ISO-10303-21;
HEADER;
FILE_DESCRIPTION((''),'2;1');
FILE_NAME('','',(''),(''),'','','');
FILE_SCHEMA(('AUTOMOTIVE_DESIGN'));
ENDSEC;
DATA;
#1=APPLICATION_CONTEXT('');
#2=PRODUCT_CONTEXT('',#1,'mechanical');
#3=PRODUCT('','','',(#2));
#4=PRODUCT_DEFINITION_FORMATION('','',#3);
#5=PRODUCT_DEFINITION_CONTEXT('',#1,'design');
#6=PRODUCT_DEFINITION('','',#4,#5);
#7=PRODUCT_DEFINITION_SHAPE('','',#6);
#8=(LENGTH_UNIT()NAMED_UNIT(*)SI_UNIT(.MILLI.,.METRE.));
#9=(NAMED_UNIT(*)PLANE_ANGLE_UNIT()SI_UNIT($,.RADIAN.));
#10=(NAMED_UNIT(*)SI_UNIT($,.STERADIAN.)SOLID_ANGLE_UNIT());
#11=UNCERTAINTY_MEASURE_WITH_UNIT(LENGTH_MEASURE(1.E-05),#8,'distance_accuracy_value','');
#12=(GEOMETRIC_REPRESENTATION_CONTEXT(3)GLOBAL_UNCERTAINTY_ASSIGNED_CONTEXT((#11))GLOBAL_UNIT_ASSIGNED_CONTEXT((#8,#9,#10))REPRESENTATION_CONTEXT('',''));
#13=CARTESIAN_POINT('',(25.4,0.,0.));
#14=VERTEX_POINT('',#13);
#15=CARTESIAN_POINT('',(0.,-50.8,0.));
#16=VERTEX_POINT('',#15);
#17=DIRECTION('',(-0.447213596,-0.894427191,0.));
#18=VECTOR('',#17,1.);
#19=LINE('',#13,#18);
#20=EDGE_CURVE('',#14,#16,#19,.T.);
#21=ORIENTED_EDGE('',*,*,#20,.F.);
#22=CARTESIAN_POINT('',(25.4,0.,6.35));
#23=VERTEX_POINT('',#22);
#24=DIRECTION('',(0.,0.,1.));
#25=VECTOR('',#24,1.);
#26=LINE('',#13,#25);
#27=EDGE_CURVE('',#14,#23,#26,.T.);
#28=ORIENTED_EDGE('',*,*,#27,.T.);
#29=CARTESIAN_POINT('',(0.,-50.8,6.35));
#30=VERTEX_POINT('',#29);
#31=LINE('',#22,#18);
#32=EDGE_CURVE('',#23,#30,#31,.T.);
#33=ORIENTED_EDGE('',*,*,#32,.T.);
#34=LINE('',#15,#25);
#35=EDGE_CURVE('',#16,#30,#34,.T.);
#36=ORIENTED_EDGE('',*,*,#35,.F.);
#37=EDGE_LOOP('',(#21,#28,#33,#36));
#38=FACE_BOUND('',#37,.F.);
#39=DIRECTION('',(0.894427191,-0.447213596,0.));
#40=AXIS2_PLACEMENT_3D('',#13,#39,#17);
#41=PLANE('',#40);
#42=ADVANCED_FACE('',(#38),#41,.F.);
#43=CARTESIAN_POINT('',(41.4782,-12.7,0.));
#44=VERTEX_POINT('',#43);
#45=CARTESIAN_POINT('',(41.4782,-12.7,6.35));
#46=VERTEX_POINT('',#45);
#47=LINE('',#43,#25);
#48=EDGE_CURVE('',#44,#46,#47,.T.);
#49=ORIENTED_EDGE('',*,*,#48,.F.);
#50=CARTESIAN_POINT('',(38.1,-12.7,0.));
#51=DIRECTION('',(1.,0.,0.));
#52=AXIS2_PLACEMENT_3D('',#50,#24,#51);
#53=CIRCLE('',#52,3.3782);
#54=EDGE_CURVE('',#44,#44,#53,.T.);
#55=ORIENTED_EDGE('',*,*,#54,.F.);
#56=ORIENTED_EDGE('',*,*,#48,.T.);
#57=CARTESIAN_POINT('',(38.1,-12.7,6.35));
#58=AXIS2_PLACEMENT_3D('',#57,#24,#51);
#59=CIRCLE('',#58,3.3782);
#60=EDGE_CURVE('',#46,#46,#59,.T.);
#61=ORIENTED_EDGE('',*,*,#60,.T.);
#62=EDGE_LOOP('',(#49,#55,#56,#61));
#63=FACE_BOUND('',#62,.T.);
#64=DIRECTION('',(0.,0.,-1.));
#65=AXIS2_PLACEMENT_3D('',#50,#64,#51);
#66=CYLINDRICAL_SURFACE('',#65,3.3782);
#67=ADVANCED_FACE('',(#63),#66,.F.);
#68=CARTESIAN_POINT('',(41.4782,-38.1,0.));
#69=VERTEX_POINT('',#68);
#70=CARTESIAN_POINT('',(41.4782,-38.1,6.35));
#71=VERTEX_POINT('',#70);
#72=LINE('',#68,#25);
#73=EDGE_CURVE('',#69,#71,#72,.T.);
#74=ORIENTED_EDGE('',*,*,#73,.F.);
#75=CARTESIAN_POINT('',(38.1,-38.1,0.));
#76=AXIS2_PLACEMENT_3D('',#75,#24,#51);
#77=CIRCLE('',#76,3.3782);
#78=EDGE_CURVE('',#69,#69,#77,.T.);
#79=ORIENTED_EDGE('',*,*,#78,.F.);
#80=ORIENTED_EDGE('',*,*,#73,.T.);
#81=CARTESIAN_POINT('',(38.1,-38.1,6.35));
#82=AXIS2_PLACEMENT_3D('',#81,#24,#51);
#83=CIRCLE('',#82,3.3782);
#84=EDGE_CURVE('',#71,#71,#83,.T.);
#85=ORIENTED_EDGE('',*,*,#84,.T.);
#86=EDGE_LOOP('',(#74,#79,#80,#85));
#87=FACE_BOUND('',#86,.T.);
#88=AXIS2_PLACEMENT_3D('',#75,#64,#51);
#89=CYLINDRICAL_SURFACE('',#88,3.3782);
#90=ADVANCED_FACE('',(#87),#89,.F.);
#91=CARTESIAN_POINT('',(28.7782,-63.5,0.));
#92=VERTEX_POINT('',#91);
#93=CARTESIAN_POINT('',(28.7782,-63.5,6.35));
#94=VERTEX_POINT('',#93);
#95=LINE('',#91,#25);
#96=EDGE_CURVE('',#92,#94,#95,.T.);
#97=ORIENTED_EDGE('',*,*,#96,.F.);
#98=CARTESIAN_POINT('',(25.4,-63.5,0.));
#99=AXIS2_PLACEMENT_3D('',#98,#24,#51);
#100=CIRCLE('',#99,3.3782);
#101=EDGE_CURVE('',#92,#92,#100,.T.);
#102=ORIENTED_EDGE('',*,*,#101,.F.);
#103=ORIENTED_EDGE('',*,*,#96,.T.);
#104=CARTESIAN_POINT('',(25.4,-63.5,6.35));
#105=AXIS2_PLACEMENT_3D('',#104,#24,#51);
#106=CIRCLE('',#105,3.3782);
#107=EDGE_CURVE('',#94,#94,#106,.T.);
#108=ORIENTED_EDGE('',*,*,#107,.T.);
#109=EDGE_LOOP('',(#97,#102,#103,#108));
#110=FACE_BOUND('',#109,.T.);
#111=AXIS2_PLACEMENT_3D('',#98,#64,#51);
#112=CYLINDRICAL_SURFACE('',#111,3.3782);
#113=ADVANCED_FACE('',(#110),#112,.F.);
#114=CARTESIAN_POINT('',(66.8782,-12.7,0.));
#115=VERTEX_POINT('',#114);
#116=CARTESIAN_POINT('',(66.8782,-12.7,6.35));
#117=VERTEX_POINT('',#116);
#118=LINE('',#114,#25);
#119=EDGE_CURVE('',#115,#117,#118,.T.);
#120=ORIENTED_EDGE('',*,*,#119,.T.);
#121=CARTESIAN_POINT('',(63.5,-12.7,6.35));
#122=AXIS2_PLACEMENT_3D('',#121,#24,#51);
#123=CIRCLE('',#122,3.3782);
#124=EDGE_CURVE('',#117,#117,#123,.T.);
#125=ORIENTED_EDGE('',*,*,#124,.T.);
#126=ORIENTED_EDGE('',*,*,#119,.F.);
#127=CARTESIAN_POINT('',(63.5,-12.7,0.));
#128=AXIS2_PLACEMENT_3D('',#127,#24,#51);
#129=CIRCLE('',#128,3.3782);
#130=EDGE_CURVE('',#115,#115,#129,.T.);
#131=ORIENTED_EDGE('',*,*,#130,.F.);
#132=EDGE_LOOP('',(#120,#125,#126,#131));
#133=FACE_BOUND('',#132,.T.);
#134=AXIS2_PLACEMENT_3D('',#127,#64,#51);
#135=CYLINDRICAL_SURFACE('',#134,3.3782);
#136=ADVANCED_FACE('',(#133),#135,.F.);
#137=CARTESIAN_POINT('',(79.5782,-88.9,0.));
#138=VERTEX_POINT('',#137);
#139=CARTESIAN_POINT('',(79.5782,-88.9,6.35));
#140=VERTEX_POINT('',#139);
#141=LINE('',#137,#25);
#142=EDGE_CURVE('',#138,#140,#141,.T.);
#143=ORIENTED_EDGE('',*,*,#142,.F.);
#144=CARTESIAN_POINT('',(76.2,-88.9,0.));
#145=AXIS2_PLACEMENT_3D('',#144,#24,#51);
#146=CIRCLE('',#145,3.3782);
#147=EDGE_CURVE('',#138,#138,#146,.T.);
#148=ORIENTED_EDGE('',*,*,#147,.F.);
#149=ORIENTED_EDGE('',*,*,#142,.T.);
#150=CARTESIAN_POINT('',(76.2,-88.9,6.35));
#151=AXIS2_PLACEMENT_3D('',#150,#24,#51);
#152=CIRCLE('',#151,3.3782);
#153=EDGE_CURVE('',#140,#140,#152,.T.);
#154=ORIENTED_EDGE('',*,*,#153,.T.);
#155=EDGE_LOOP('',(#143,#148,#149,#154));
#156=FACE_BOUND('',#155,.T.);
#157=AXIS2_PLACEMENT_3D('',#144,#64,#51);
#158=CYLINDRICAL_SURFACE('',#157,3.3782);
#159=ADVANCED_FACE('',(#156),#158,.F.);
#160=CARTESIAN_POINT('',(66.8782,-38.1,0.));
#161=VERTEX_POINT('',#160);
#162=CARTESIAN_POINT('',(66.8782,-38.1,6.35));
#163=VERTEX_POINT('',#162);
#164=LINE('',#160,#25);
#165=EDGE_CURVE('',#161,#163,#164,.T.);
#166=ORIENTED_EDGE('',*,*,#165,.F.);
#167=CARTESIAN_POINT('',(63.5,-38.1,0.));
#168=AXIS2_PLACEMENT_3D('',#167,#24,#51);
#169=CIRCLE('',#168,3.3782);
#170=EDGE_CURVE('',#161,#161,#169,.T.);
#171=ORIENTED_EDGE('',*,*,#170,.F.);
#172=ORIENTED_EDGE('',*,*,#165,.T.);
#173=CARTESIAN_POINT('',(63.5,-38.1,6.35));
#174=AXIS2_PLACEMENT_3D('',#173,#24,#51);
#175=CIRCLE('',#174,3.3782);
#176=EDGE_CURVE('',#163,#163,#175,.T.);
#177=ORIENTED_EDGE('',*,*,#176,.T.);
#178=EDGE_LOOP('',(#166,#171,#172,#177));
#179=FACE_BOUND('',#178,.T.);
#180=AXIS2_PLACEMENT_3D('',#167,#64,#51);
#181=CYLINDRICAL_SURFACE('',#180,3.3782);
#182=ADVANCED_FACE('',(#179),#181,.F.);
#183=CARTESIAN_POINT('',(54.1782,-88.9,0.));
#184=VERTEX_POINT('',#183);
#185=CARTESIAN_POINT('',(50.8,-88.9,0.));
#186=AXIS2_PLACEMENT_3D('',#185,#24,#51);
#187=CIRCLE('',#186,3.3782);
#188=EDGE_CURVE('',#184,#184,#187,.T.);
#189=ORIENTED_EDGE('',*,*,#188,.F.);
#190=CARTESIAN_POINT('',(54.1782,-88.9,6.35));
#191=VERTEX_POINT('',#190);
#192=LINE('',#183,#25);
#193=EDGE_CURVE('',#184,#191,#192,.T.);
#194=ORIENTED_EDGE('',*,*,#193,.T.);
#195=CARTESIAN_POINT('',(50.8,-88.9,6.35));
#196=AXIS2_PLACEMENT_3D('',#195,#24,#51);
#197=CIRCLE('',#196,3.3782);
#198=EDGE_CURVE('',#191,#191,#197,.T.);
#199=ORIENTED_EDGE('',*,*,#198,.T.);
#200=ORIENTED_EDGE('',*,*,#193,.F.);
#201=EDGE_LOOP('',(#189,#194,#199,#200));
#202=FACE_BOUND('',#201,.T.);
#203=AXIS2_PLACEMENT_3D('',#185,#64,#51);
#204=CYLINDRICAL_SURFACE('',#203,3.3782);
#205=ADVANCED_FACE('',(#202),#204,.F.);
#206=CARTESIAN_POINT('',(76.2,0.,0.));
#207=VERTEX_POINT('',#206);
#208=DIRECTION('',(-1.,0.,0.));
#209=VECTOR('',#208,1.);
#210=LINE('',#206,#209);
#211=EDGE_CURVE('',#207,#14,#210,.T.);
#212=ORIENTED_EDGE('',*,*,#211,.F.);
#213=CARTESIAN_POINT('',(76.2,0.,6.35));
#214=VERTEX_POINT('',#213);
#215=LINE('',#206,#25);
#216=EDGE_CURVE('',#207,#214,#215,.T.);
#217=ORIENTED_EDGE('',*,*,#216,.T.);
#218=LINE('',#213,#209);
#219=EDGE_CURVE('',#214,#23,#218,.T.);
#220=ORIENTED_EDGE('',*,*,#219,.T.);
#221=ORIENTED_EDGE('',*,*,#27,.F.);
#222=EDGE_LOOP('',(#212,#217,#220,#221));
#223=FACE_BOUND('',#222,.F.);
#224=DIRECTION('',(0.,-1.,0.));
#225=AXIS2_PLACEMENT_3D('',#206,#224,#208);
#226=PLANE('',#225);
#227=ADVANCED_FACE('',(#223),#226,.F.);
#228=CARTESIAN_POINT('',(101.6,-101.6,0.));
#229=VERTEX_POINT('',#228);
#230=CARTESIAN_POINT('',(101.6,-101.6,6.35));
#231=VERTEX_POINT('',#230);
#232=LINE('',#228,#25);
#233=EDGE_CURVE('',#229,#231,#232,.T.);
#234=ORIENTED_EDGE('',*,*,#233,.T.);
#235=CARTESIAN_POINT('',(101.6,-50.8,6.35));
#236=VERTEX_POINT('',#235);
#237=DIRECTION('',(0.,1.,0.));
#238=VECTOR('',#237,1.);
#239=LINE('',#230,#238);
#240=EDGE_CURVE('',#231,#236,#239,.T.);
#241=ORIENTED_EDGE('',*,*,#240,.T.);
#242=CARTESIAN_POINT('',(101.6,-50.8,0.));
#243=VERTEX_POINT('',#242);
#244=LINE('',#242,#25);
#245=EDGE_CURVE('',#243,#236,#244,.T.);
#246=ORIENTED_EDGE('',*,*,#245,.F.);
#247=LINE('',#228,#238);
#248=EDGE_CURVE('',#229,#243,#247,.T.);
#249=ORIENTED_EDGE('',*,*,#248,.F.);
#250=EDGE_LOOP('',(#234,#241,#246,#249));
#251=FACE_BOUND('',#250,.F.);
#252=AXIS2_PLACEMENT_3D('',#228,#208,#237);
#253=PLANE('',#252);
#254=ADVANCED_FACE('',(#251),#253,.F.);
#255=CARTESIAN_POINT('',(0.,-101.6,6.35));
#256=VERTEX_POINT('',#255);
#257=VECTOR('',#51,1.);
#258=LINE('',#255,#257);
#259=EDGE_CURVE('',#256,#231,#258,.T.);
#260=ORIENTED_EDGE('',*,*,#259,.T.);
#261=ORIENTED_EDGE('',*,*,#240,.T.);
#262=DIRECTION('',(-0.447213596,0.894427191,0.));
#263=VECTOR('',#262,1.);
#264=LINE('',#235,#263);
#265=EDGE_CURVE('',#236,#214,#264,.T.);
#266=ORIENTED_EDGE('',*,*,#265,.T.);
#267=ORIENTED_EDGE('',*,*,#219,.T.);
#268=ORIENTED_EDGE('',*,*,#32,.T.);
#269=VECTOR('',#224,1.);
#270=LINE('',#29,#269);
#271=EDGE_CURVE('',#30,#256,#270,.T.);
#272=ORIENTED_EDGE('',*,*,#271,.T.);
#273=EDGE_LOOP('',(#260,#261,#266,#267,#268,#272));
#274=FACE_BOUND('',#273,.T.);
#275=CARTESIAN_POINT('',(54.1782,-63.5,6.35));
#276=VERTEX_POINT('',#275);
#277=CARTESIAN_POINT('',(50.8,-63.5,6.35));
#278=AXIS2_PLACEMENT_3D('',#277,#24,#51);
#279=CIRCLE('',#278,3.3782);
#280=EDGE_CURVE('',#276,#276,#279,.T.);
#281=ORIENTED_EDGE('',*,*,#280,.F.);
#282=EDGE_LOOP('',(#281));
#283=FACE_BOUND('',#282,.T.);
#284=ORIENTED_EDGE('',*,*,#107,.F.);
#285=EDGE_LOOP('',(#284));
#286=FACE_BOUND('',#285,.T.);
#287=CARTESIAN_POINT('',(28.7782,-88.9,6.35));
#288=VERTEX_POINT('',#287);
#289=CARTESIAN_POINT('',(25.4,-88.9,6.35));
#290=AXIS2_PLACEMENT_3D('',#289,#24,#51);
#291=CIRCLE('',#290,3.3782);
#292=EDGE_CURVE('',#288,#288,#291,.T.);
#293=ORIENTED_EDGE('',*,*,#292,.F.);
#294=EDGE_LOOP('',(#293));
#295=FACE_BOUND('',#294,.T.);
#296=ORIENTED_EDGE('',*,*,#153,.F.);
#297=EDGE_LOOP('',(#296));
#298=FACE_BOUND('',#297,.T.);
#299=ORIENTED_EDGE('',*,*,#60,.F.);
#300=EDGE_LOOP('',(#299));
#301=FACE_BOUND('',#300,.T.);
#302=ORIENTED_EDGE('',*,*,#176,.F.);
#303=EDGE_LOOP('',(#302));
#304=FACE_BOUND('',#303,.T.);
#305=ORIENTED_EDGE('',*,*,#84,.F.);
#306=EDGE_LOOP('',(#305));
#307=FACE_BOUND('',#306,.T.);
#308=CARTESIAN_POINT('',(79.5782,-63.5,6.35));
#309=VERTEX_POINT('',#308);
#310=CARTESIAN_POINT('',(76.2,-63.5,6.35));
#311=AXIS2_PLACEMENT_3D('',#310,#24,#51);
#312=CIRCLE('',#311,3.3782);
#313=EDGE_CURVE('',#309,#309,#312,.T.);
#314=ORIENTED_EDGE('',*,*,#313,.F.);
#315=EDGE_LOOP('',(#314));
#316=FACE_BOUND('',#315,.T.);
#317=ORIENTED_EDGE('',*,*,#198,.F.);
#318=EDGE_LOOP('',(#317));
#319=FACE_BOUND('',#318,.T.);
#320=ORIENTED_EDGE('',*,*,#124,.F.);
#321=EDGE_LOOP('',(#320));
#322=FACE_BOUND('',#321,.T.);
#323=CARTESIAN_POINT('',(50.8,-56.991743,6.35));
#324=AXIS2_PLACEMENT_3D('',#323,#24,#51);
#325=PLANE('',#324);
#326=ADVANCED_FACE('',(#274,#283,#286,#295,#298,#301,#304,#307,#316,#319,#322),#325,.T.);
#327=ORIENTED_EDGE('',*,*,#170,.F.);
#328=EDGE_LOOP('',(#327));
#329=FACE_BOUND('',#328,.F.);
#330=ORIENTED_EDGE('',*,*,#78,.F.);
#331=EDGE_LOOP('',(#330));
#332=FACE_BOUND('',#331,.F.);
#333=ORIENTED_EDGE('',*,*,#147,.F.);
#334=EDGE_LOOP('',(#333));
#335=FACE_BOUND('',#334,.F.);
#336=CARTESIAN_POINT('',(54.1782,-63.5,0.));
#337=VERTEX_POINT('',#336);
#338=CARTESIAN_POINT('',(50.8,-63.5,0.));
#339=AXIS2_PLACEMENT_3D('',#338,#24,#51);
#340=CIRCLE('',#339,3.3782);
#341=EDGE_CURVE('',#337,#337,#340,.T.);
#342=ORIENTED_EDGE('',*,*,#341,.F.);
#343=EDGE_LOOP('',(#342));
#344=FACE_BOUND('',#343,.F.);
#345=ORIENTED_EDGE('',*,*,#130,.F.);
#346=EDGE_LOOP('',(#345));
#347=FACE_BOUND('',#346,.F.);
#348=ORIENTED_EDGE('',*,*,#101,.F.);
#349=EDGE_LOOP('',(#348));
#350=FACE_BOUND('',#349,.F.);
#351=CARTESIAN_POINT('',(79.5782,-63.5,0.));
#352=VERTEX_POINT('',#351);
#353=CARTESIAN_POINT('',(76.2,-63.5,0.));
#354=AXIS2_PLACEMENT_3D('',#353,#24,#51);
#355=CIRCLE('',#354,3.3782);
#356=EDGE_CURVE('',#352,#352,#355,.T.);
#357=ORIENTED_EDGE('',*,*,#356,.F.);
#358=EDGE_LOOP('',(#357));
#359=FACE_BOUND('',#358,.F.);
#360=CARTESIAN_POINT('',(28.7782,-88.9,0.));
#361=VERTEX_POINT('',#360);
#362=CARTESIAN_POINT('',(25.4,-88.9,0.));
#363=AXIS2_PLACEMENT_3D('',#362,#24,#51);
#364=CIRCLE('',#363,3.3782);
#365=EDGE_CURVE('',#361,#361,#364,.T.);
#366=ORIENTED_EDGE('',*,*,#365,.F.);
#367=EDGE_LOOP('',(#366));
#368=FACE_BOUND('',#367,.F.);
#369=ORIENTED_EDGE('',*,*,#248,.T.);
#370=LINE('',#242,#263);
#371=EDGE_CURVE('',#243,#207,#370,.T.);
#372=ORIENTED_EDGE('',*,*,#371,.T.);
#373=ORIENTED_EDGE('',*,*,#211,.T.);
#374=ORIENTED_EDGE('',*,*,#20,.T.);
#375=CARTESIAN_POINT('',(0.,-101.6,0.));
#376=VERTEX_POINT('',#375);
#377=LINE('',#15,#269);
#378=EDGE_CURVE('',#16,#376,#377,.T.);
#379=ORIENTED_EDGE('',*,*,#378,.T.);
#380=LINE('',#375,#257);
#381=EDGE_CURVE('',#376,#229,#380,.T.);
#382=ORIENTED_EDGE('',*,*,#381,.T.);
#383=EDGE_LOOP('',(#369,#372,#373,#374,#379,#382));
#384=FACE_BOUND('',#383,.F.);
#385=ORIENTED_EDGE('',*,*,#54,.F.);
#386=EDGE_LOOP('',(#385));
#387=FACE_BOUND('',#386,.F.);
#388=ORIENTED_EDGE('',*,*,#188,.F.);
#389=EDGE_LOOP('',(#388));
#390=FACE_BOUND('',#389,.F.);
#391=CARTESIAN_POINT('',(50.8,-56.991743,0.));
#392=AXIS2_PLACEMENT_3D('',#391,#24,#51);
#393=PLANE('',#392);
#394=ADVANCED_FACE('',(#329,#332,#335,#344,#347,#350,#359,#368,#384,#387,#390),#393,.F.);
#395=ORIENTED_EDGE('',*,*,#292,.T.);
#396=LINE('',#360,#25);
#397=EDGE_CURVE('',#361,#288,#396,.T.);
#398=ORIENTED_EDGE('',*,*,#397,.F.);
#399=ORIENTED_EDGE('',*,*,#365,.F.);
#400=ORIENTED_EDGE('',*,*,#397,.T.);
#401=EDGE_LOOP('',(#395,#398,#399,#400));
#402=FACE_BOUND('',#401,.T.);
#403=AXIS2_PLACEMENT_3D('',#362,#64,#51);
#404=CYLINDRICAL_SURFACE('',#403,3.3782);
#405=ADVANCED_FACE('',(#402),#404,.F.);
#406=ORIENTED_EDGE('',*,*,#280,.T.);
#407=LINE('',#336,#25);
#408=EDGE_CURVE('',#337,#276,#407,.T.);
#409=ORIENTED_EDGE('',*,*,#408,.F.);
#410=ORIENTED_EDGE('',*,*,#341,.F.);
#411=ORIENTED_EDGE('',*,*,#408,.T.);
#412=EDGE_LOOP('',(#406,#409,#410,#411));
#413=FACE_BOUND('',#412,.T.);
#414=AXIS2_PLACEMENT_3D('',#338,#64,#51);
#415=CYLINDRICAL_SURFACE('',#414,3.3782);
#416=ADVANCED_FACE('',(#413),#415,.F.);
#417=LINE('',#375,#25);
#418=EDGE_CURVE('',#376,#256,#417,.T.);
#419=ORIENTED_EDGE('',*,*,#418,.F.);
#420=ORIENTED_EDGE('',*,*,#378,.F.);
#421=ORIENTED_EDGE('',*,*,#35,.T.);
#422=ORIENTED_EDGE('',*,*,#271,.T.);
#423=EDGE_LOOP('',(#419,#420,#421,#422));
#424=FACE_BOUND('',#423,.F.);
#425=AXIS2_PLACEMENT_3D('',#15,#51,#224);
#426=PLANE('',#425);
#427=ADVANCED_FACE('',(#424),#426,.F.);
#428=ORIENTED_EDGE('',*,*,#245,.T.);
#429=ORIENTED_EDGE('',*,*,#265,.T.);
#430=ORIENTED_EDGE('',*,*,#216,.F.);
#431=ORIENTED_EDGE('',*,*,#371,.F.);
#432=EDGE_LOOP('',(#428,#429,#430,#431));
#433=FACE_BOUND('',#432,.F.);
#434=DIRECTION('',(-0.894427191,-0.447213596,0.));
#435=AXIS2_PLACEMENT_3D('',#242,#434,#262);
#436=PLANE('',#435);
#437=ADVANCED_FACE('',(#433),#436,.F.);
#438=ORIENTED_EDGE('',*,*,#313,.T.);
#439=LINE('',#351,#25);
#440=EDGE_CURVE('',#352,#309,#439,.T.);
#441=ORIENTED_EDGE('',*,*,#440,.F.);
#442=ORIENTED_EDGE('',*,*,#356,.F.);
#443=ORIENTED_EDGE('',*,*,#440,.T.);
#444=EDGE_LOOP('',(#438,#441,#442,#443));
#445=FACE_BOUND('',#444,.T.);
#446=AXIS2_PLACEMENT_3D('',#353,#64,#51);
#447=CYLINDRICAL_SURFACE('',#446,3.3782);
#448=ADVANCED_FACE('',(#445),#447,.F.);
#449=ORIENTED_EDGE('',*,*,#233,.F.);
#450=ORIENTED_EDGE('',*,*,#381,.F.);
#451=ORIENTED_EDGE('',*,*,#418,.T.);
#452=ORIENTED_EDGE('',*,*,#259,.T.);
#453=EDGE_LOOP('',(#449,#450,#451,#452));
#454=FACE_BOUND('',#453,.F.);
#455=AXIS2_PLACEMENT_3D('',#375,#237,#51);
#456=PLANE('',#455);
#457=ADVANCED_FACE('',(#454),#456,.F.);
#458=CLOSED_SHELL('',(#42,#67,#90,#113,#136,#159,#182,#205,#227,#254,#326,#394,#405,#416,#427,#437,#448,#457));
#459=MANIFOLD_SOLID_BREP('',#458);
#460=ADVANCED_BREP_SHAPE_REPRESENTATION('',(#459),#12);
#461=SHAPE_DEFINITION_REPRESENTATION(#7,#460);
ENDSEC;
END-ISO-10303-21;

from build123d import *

# Parameters (mm, degrees)
F0_R     = 3.3782
F1_DEPTH = 6.35


with BuildPart() as f1:
    # F0 (on Top) → F1 (new body)
    with BuildSketch(Plane.XY):
        Polygon((76.2, 0), (25.4, 0), (0, -50.8), (0, -101.6), (101.6, -101.6), (101.6, -50.8), align=None)
        with Locations((25.4, -88.9)):
            Circle(F0_R, mode=Mode.SUBTRACT)
        with Locations((50.8, -88.9)):
            Circle(F0_R, mode=Mode.SUBTRACT)
        with Locations((25.4, -63.5)):
            Circle(F0_R, mode=Mode.SUBTRACT)
        with Locations((50.8, -63.5)):
            Circle(F0_R, mode=Mode.SUBTRACT)
        with Locations((76.2, -88.9)):
            Circle(F0_R, mode=Mode.SUBTRACT)
        with Locations((76.2, -63.5)):
            Circle(F0_R, mode=Mode.SUBTRACT)
        with Locations((38.1, -38.1)):
            Circle(F0_R, mode=Mode.SUBTRACT)
        with Locations((38.1, -12.7)):
            Circle(F0_R, mode=Mode.SUBTRACT)
        with Locations((63.5, -38.1)):
            Circle(F0_R, mode=Mode.SUBTRACT)
        with Locations((63.5, -12.7)):
            Circle(F0_R, mode=Mode.SUBTRACT)
    extrude(amount=F1_DEPTH)


solid = f1.part
